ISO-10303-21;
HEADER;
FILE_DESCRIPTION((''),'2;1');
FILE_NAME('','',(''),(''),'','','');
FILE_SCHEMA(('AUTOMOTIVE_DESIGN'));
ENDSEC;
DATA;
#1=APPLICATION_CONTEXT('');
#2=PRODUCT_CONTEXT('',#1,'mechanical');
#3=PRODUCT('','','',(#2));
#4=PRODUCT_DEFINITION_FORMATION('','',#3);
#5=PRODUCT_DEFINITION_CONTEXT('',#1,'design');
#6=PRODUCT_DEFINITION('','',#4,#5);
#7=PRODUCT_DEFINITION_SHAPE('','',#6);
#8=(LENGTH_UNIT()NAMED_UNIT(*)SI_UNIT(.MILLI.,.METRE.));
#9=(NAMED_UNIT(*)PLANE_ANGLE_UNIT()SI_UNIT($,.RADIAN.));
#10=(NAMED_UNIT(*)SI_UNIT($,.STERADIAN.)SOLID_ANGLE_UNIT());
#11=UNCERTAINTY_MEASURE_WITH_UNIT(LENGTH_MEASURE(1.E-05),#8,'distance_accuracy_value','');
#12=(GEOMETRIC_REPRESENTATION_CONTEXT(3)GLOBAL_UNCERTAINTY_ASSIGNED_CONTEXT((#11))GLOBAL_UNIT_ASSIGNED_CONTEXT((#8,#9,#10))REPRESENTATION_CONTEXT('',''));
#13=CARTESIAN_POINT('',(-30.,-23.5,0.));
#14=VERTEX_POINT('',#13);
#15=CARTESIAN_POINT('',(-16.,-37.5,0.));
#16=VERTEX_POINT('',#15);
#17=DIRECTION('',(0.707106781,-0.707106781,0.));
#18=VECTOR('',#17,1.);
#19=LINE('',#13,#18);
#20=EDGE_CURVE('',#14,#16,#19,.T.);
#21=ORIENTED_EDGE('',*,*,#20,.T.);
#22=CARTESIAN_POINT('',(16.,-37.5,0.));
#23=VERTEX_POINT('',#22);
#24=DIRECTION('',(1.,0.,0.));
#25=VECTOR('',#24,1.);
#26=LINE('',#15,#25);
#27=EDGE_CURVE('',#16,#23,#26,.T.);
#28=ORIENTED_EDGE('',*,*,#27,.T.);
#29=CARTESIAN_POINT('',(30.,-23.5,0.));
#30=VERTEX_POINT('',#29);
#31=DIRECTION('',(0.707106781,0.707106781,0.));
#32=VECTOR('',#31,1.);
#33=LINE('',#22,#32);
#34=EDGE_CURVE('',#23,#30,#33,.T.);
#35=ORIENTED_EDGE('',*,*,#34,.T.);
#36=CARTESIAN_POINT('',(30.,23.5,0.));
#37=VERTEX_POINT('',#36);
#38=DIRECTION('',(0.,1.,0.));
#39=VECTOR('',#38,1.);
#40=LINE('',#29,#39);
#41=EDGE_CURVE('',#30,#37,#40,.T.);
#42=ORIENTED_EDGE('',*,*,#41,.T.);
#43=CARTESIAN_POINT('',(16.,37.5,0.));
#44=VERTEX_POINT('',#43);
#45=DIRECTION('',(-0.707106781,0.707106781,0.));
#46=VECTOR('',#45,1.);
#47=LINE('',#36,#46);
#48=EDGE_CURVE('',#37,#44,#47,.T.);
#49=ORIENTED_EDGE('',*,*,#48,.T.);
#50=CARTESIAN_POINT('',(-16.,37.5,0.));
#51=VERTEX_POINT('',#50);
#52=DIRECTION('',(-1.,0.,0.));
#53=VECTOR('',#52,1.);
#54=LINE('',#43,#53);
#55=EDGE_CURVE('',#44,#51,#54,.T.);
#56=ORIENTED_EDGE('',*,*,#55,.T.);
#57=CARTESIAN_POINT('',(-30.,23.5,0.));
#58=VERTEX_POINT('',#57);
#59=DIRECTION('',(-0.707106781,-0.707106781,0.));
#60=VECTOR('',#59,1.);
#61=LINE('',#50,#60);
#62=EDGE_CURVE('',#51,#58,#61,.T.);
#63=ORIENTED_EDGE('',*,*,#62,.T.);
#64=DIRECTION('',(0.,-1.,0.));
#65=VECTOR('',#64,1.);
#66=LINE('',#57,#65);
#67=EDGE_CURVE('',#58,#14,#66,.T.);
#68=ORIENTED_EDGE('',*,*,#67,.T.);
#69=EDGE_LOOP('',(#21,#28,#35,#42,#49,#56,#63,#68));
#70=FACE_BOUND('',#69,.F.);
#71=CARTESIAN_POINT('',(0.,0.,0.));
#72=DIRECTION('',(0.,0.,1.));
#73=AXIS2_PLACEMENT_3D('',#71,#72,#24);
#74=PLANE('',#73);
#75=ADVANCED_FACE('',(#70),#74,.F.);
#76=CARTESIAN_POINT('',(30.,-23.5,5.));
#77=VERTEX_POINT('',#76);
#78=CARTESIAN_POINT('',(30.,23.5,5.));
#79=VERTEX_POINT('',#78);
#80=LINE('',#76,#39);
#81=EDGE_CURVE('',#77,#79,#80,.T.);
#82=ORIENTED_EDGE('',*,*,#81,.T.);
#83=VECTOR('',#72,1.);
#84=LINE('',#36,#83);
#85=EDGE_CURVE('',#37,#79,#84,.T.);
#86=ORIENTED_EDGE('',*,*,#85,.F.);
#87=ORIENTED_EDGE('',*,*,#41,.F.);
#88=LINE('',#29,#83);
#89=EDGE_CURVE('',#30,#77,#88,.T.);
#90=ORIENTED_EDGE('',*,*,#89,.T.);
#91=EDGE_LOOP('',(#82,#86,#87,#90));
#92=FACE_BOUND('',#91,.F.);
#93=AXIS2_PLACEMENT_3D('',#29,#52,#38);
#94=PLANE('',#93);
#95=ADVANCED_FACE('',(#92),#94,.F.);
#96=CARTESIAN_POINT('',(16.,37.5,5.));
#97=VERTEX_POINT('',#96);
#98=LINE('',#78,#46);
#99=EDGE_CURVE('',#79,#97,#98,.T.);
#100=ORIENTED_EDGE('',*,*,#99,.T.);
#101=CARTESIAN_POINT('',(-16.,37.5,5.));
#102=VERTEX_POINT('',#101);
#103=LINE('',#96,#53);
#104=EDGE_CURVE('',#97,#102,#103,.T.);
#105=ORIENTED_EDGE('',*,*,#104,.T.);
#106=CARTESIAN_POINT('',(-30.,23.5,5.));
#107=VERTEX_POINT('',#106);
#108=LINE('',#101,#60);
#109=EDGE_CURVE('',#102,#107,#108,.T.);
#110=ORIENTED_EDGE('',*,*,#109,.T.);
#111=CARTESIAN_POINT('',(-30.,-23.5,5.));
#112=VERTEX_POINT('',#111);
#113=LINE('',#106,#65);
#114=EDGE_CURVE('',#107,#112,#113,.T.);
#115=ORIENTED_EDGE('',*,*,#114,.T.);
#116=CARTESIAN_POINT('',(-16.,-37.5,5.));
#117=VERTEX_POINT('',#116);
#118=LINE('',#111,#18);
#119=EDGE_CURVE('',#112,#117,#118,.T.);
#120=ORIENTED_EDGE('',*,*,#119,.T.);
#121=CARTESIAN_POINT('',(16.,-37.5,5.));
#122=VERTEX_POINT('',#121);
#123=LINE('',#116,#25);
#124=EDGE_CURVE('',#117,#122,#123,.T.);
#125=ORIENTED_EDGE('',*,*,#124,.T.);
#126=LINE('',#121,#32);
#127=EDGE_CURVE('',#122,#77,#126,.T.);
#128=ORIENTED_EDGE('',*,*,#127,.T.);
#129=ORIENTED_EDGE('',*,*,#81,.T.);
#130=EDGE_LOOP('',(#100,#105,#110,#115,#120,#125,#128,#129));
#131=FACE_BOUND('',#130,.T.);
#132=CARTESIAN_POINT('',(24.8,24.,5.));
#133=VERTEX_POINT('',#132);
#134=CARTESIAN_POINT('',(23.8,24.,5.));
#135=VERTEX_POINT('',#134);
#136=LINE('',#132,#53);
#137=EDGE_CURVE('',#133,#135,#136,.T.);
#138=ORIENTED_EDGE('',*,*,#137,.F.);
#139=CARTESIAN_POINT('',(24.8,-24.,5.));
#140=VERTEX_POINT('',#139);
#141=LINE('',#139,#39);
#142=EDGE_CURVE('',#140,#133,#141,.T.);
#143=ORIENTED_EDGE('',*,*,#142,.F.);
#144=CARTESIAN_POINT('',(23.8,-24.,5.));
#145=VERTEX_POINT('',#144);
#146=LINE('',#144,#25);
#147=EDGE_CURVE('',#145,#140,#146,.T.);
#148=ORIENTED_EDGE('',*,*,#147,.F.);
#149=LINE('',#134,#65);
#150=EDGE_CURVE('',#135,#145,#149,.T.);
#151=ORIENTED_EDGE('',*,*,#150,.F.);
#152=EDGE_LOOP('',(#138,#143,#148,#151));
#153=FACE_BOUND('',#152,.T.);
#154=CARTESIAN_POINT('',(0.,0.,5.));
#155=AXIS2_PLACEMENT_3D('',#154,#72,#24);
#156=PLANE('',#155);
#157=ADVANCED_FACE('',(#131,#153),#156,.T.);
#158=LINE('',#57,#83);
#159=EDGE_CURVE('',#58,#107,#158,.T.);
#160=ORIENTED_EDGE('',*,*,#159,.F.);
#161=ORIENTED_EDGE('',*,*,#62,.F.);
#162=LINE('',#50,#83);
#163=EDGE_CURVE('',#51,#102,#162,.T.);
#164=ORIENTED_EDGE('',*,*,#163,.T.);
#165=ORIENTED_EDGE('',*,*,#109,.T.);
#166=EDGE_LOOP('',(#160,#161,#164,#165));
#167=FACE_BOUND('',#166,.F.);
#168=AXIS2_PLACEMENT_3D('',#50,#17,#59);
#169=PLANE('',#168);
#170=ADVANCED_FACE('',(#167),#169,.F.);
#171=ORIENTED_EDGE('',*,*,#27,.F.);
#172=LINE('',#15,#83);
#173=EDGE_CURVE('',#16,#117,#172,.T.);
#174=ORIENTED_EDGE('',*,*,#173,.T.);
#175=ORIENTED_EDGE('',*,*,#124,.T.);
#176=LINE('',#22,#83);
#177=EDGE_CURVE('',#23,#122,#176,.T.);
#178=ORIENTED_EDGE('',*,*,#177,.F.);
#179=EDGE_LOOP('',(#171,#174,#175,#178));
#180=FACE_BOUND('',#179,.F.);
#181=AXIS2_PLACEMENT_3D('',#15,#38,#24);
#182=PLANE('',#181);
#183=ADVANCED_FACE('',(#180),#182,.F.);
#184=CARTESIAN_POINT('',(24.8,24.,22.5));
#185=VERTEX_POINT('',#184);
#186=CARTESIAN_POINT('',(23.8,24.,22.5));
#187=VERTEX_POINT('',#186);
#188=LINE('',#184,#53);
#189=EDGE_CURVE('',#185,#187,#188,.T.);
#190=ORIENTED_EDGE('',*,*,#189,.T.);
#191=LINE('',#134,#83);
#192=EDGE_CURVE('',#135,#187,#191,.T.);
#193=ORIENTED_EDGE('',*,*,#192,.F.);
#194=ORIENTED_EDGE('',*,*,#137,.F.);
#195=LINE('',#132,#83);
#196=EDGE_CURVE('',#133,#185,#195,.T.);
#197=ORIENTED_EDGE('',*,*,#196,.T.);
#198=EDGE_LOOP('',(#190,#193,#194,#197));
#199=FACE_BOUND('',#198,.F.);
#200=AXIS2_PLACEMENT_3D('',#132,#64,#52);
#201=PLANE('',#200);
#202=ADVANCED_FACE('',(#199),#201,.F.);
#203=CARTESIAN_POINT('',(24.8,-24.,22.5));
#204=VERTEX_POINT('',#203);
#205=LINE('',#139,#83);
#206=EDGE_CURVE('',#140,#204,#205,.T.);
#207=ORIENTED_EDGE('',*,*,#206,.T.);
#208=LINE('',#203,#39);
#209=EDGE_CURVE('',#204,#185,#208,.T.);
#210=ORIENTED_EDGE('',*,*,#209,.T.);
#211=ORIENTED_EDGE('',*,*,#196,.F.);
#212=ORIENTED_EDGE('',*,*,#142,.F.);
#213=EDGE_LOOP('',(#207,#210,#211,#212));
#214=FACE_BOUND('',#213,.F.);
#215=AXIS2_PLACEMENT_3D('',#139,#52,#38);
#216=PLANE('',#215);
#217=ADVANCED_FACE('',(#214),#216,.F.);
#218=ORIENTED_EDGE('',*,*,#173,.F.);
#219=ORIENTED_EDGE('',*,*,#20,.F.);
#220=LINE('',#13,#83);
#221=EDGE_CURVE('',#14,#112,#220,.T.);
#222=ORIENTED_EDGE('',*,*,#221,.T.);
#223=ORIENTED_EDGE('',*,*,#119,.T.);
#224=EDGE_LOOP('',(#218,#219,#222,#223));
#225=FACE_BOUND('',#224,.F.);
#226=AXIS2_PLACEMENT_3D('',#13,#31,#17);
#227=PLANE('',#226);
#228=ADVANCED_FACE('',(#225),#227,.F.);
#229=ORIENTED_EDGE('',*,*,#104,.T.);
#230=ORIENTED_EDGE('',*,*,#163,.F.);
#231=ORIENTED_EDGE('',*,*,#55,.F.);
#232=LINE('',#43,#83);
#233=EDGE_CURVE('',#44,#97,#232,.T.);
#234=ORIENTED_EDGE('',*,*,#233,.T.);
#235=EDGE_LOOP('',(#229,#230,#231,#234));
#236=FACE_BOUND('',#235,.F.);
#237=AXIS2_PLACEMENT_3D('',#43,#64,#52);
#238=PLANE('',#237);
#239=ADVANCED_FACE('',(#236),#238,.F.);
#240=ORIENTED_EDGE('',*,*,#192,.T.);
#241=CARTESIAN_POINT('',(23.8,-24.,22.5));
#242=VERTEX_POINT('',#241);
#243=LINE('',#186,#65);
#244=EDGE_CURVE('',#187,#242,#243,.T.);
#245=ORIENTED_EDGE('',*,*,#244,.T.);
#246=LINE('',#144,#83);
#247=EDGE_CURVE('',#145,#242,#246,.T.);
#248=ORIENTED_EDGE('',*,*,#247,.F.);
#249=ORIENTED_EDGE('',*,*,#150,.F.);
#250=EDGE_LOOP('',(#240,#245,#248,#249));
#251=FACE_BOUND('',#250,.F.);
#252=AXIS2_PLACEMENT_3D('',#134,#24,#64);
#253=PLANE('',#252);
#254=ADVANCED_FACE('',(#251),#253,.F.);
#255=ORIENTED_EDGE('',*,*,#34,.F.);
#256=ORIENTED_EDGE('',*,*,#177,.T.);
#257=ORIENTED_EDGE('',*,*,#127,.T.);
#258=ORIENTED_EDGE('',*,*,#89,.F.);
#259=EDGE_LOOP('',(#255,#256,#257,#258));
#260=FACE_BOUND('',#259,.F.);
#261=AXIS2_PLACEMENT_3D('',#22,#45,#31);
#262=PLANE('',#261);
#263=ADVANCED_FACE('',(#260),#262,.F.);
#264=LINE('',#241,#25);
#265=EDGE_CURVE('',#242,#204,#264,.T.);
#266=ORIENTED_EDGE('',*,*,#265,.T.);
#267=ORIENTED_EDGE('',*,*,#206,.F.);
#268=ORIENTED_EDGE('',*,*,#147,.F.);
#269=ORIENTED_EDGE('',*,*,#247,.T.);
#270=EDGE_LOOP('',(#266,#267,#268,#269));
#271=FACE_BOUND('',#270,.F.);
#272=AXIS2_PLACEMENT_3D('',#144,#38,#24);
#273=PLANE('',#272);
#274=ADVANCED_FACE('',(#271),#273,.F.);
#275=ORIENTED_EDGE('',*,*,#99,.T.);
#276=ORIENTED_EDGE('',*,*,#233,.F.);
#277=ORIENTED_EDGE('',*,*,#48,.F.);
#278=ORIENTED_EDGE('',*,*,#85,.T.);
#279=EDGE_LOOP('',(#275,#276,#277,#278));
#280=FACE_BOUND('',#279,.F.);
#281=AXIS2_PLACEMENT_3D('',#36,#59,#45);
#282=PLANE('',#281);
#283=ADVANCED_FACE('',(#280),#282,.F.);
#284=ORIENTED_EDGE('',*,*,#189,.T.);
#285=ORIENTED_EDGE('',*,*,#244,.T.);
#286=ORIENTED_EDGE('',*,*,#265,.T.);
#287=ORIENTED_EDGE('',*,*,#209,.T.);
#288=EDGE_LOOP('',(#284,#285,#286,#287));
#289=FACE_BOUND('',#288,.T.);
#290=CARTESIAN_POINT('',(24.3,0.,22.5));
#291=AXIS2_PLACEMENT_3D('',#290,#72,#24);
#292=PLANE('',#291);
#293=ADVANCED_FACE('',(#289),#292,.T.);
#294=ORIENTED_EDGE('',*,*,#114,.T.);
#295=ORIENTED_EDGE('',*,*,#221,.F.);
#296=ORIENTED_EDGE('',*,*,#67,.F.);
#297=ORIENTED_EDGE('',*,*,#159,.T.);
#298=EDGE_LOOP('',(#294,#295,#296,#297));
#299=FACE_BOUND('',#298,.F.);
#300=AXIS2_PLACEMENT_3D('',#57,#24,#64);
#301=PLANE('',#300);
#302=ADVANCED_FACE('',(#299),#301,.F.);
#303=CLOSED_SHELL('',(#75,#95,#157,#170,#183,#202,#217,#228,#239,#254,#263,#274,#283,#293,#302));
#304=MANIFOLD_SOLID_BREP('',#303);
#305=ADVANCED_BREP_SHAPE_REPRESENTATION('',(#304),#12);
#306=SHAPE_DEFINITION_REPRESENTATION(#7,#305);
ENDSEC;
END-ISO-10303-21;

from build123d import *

# Parameters (mm, degrees)
F1_DEPTH = 5
F3_DEPTH = 17.5


with BuildPart() as f1:
    # F0 (on Top) → F1 (new body)
    with BuildSketch(Plane.XY):
        Polygon((-16, -37.5), (16, -37.5), (30, -23.5), (30, 23.5), (16, 37.5), (-16, 37.5), (-30, 23.5), (-30, -23.5), align=None)
    extrude(amount=F1_DEPTH)

    # F2 (on face) → F3 (join)
    with BuildSketch(Plane.XY.offset(5)):
        Polygon((24.8, -24), (24.8, 0), (24.8, 24), (23.8, 24), (23.8, -24), align=None)
    extrude(amount=F3_DEPTH)


solid = f1.part
